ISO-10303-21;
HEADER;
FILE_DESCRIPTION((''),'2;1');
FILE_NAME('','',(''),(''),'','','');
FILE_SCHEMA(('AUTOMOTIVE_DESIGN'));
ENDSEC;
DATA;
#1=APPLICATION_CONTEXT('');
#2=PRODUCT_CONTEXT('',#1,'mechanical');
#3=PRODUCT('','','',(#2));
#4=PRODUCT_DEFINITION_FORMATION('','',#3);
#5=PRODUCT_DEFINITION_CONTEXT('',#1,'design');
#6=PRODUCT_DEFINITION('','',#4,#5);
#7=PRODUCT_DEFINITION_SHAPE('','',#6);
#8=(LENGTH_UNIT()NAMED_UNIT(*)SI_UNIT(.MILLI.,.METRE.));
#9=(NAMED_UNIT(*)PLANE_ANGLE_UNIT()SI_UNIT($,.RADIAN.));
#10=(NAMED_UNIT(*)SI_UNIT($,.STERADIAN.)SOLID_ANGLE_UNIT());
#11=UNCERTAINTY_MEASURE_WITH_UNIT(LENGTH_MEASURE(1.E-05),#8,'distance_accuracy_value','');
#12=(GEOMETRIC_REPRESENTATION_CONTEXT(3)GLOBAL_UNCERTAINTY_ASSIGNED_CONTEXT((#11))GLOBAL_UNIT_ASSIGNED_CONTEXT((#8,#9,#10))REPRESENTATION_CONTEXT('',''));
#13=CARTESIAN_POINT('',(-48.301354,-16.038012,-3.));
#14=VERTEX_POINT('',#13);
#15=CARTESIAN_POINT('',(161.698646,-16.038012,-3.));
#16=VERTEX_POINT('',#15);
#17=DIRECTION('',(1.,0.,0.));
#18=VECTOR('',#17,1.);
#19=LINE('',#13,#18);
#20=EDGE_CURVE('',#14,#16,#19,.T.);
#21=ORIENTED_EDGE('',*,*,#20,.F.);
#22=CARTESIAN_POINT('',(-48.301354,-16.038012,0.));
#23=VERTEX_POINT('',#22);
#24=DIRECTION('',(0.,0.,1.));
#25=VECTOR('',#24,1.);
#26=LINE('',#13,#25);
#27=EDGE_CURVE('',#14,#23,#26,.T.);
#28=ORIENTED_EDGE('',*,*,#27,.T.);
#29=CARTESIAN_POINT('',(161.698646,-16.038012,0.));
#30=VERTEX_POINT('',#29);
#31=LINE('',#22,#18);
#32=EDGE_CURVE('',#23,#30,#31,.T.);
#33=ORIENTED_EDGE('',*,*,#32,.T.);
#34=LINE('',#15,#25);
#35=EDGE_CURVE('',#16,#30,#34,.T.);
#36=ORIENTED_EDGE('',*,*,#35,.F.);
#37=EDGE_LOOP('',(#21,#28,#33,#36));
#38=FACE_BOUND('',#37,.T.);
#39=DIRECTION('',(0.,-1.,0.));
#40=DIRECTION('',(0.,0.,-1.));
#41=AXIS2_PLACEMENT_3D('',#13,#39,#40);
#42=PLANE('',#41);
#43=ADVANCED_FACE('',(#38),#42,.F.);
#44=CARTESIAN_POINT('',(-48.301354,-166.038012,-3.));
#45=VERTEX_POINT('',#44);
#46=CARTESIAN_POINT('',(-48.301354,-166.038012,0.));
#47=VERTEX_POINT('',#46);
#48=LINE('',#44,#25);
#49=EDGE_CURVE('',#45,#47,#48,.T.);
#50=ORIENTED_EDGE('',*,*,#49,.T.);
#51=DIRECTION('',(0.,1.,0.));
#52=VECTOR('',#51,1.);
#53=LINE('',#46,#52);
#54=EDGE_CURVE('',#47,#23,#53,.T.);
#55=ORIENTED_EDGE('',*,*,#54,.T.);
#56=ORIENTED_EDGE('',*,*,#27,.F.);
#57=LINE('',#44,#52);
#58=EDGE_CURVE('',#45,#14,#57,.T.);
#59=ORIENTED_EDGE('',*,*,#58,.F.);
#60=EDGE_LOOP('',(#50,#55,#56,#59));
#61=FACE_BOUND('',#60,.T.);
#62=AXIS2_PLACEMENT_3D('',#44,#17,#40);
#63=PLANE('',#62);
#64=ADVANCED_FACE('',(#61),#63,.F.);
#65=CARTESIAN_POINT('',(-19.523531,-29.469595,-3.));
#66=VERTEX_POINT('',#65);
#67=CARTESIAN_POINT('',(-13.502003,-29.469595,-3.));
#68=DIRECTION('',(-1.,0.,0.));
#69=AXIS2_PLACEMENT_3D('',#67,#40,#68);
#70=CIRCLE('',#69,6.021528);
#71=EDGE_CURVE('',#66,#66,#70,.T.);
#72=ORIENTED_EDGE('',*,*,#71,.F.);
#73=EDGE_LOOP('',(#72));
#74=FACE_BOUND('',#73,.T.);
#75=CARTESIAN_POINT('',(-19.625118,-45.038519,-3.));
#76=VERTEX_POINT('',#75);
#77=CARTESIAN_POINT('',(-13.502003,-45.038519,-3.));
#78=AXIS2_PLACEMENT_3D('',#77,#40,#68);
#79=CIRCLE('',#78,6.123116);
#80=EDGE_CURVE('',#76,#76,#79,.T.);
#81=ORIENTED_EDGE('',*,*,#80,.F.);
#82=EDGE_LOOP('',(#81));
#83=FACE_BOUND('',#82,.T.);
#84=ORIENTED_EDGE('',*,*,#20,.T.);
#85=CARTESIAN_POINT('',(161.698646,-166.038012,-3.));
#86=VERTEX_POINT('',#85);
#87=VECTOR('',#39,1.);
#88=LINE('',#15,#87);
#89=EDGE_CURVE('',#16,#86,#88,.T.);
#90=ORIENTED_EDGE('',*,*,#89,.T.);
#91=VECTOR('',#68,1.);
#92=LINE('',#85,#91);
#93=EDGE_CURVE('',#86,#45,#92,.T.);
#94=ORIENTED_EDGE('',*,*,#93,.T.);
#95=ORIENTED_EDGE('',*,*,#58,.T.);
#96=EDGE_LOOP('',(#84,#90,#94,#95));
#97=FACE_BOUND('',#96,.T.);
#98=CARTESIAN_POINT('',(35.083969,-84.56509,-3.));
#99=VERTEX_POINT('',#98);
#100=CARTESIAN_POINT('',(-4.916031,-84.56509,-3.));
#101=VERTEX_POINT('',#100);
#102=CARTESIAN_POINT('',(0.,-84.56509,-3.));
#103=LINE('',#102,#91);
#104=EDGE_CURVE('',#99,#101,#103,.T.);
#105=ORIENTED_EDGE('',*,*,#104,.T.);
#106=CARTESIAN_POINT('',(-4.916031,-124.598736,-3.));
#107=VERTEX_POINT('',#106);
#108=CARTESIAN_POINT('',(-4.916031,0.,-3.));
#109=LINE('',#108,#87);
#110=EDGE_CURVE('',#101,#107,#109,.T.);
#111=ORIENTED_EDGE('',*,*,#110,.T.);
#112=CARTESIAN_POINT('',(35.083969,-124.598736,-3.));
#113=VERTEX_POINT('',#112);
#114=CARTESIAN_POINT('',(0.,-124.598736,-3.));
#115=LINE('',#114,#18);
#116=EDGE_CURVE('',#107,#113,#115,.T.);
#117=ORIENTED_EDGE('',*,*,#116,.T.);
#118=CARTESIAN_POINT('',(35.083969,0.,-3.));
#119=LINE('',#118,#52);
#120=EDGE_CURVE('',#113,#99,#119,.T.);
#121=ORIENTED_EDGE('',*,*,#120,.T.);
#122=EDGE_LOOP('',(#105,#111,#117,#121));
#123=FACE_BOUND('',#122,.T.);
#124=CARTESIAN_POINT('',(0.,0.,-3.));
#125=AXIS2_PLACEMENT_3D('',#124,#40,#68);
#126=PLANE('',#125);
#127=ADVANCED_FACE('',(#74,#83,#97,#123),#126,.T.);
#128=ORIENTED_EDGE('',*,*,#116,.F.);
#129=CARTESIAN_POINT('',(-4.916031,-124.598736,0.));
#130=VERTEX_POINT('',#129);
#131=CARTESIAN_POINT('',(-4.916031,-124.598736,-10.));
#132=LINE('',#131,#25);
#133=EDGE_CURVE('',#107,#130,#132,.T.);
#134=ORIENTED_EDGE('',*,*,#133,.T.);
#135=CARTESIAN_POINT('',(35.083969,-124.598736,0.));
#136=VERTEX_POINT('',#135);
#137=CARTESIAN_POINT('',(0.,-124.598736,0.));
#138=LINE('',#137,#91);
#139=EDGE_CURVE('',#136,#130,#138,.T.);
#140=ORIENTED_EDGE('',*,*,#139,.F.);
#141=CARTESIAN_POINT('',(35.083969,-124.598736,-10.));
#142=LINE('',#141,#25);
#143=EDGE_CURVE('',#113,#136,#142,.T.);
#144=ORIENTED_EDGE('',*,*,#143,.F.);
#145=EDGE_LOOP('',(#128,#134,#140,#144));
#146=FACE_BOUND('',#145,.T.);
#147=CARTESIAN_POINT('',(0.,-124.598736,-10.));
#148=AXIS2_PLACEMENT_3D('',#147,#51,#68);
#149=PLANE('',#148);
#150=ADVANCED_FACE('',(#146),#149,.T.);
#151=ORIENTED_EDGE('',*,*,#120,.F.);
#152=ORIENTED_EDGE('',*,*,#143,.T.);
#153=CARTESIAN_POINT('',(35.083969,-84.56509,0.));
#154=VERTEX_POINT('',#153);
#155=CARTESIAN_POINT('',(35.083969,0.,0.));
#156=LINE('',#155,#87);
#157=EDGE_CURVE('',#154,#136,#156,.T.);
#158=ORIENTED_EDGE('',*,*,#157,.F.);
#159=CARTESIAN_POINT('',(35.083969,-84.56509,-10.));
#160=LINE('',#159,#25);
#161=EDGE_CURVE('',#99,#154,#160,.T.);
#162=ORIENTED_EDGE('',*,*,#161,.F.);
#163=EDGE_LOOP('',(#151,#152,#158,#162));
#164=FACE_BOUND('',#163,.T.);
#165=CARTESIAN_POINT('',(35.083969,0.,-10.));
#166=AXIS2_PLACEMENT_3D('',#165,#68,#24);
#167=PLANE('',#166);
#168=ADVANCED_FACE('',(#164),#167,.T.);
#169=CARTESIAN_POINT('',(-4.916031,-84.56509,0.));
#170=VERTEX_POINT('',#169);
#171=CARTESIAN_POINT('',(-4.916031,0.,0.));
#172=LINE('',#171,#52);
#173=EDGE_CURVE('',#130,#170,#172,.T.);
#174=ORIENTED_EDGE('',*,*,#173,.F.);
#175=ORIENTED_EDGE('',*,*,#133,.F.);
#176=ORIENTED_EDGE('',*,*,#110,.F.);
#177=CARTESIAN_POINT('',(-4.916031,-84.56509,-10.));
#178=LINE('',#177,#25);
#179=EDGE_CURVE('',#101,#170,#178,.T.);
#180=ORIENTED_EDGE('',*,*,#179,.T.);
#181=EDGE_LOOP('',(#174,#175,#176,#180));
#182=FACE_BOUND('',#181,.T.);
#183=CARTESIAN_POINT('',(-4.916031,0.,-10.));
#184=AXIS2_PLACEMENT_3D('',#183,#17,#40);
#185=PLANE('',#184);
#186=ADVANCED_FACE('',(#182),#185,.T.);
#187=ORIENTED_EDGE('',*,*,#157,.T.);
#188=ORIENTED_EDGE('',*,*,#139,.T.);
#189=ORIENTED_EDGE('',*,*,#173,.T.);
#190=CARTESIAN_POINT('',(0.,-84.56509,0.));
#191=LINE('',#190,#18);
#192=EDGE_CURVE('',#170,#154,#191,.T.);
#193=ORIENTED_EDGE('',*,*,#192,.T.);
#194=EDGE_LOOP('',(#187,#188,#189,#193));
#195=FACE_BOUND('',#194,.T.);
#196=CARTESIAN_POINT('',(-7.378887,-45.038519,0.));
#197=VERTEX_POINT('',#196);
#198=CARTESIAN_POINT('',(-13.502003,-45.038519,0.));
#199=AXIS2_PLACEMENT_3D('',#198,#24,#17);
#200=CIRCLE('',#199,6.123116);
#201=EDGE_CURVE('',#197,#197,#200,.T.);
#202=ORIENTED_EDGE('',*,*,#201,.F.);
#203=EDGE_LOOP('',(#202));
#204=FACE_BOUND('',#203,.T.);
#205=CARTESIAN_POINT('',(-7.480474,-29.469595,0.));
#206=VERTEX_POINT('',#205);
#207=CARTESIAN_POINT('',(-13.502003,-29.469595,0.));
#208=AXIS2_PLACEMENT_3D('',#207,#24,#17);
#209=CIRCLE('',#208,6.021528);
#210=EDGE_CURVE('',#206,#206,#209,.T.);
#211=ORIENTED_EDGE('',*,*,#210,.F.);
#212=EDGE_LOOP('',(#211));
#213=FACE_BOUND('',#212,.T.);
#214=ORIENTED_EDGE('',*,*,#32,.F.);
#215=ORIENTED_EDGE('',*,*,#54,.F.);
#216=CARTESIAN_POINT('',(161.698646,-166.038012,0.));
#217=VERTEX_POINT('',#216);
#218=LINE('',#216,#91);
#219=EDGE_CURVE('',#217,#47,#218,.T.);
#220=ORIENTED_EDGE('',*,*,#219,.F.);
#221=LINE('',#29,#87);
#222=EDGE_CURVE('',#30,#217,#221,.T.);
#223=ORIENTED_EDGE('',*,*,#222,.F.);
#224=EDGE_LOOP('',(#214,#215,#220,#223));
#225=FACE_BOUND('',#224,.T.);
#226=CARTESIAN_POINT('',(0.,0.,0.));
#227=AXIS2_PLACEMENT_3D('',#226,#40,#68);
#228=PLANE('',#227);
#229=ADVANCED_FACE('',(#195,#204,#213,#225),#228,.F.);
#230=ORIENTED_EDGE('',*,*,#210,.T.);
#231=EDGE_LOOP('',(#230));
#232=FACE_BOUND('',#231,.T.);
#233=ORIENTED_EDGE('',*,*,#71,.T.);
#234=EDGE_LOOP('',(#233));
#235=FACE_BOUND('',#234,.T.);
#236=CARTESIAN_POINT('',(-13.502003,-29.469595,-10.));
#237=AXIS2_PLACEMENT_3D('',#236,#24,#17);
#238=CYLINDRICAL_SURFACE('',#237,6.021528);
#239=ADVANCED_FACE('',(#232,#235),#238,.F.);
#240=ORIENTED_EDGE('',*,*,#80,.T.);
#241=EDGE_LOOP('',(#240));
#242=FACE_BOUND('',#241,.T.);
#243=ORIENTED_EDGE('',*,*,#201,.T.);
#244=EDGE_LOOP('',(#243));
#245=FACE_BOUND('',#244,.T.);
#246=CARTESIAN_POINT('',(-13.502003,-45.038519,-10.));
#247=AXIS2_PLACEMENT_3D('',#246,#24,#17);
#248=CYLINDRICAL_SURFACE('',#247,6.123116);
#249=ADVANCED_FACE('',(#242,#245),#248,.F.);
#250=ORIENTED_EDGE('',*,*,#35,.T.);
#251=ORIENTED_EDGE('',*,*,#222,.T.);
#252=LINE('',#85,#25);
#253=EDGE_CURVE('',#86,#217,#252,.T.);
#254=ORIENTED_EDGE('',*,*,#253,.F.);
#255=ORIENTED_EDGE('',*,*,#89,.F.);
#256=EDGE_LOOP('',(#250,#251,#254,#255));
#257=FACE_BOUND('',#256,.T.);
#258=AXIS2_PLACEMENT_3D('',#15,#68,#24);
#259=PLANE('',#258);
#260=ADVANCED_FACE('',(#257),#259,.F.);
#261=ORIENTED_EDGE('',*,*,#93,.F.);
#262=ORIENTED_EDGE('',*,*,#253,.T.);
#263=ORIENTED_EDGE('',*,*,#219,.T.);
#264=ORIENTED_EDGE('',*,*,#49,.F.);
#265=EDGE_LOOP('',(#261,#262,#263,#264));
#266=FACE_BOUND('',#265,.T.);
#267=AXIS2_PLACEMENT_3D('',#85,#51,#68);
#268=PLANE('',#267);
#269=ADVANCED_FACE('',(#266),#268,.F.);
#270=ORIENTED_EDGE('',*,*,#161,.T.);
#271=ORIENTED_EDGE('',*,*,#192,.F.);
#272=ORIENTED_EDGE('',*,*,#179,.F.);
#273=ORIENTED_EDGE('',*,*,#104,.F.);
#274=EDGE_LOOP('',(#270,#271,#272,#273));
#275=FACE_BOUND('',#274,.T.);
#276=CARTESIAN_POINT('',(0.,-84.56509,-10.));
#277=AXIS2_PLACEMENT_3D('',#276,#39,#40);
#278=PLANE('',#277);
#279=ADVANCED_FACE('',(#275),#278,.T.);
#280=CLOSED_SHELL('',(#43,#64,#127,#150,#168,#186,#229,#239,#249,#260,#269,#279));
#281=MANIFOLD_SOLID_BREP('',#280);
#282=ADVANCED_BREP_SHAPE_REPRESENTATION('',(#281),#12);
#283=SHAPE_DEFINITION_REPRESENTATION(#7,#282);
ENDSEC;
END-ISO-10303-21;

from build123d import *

# Parameters (mm, degrees)
SKETCH3_W           = 210
SKETCH3_H           = 150
BOSS_EXTRUDE3_DEPTH = 3
SKETCH4_W           = 40
SKETCH4_H           = 40.033645827
CUT_EXTRUDE2_DEPTH  = 10
SKETCH6_R           = 6.123115527
SKETCH6_R_2         = 6.021528495
CUT_EXTRUDE4_DEPTH  = 10


with BuildPart() as part:
    # Sketch3 → Boss-Extrude3 (new body)
    with BuildSketch(Plane.XY):
        with Locations((56.698645522, -91.038012074)):
            Rectangle(SKETCH3_W, SKETCH3_H)
    extrude(amount=-BOSS_EXTRUDE3_DEPTH)

    # Sketch4 → Cut-Extrude2 (cut)
    with BuildSketch(Plane.XY):
        with Locations((15.083968717, -104.581913211)):
            Rectangle(SKETCH4_W, SKETCH4_H)
    extrude(amount=-CUT_EXTRUDE2_DEPTH, mode=Mode.SUBTRACT)

    # Sketch6 → Cut-Extrude4 (cut)
    with BuildSketch(Plane.XY):
        with Locations((-13.502002571, -45.038518666)):
            Circle(SKETCH6_R)
        with Locations((-13.502002571, -29.469595459)):
            Circle(SKETCH6_R_2)
    extrude(amount=-CUT_EXTRUDE4_DEPTH, mode=Mode.SUBTRACT)


solid = part.part
